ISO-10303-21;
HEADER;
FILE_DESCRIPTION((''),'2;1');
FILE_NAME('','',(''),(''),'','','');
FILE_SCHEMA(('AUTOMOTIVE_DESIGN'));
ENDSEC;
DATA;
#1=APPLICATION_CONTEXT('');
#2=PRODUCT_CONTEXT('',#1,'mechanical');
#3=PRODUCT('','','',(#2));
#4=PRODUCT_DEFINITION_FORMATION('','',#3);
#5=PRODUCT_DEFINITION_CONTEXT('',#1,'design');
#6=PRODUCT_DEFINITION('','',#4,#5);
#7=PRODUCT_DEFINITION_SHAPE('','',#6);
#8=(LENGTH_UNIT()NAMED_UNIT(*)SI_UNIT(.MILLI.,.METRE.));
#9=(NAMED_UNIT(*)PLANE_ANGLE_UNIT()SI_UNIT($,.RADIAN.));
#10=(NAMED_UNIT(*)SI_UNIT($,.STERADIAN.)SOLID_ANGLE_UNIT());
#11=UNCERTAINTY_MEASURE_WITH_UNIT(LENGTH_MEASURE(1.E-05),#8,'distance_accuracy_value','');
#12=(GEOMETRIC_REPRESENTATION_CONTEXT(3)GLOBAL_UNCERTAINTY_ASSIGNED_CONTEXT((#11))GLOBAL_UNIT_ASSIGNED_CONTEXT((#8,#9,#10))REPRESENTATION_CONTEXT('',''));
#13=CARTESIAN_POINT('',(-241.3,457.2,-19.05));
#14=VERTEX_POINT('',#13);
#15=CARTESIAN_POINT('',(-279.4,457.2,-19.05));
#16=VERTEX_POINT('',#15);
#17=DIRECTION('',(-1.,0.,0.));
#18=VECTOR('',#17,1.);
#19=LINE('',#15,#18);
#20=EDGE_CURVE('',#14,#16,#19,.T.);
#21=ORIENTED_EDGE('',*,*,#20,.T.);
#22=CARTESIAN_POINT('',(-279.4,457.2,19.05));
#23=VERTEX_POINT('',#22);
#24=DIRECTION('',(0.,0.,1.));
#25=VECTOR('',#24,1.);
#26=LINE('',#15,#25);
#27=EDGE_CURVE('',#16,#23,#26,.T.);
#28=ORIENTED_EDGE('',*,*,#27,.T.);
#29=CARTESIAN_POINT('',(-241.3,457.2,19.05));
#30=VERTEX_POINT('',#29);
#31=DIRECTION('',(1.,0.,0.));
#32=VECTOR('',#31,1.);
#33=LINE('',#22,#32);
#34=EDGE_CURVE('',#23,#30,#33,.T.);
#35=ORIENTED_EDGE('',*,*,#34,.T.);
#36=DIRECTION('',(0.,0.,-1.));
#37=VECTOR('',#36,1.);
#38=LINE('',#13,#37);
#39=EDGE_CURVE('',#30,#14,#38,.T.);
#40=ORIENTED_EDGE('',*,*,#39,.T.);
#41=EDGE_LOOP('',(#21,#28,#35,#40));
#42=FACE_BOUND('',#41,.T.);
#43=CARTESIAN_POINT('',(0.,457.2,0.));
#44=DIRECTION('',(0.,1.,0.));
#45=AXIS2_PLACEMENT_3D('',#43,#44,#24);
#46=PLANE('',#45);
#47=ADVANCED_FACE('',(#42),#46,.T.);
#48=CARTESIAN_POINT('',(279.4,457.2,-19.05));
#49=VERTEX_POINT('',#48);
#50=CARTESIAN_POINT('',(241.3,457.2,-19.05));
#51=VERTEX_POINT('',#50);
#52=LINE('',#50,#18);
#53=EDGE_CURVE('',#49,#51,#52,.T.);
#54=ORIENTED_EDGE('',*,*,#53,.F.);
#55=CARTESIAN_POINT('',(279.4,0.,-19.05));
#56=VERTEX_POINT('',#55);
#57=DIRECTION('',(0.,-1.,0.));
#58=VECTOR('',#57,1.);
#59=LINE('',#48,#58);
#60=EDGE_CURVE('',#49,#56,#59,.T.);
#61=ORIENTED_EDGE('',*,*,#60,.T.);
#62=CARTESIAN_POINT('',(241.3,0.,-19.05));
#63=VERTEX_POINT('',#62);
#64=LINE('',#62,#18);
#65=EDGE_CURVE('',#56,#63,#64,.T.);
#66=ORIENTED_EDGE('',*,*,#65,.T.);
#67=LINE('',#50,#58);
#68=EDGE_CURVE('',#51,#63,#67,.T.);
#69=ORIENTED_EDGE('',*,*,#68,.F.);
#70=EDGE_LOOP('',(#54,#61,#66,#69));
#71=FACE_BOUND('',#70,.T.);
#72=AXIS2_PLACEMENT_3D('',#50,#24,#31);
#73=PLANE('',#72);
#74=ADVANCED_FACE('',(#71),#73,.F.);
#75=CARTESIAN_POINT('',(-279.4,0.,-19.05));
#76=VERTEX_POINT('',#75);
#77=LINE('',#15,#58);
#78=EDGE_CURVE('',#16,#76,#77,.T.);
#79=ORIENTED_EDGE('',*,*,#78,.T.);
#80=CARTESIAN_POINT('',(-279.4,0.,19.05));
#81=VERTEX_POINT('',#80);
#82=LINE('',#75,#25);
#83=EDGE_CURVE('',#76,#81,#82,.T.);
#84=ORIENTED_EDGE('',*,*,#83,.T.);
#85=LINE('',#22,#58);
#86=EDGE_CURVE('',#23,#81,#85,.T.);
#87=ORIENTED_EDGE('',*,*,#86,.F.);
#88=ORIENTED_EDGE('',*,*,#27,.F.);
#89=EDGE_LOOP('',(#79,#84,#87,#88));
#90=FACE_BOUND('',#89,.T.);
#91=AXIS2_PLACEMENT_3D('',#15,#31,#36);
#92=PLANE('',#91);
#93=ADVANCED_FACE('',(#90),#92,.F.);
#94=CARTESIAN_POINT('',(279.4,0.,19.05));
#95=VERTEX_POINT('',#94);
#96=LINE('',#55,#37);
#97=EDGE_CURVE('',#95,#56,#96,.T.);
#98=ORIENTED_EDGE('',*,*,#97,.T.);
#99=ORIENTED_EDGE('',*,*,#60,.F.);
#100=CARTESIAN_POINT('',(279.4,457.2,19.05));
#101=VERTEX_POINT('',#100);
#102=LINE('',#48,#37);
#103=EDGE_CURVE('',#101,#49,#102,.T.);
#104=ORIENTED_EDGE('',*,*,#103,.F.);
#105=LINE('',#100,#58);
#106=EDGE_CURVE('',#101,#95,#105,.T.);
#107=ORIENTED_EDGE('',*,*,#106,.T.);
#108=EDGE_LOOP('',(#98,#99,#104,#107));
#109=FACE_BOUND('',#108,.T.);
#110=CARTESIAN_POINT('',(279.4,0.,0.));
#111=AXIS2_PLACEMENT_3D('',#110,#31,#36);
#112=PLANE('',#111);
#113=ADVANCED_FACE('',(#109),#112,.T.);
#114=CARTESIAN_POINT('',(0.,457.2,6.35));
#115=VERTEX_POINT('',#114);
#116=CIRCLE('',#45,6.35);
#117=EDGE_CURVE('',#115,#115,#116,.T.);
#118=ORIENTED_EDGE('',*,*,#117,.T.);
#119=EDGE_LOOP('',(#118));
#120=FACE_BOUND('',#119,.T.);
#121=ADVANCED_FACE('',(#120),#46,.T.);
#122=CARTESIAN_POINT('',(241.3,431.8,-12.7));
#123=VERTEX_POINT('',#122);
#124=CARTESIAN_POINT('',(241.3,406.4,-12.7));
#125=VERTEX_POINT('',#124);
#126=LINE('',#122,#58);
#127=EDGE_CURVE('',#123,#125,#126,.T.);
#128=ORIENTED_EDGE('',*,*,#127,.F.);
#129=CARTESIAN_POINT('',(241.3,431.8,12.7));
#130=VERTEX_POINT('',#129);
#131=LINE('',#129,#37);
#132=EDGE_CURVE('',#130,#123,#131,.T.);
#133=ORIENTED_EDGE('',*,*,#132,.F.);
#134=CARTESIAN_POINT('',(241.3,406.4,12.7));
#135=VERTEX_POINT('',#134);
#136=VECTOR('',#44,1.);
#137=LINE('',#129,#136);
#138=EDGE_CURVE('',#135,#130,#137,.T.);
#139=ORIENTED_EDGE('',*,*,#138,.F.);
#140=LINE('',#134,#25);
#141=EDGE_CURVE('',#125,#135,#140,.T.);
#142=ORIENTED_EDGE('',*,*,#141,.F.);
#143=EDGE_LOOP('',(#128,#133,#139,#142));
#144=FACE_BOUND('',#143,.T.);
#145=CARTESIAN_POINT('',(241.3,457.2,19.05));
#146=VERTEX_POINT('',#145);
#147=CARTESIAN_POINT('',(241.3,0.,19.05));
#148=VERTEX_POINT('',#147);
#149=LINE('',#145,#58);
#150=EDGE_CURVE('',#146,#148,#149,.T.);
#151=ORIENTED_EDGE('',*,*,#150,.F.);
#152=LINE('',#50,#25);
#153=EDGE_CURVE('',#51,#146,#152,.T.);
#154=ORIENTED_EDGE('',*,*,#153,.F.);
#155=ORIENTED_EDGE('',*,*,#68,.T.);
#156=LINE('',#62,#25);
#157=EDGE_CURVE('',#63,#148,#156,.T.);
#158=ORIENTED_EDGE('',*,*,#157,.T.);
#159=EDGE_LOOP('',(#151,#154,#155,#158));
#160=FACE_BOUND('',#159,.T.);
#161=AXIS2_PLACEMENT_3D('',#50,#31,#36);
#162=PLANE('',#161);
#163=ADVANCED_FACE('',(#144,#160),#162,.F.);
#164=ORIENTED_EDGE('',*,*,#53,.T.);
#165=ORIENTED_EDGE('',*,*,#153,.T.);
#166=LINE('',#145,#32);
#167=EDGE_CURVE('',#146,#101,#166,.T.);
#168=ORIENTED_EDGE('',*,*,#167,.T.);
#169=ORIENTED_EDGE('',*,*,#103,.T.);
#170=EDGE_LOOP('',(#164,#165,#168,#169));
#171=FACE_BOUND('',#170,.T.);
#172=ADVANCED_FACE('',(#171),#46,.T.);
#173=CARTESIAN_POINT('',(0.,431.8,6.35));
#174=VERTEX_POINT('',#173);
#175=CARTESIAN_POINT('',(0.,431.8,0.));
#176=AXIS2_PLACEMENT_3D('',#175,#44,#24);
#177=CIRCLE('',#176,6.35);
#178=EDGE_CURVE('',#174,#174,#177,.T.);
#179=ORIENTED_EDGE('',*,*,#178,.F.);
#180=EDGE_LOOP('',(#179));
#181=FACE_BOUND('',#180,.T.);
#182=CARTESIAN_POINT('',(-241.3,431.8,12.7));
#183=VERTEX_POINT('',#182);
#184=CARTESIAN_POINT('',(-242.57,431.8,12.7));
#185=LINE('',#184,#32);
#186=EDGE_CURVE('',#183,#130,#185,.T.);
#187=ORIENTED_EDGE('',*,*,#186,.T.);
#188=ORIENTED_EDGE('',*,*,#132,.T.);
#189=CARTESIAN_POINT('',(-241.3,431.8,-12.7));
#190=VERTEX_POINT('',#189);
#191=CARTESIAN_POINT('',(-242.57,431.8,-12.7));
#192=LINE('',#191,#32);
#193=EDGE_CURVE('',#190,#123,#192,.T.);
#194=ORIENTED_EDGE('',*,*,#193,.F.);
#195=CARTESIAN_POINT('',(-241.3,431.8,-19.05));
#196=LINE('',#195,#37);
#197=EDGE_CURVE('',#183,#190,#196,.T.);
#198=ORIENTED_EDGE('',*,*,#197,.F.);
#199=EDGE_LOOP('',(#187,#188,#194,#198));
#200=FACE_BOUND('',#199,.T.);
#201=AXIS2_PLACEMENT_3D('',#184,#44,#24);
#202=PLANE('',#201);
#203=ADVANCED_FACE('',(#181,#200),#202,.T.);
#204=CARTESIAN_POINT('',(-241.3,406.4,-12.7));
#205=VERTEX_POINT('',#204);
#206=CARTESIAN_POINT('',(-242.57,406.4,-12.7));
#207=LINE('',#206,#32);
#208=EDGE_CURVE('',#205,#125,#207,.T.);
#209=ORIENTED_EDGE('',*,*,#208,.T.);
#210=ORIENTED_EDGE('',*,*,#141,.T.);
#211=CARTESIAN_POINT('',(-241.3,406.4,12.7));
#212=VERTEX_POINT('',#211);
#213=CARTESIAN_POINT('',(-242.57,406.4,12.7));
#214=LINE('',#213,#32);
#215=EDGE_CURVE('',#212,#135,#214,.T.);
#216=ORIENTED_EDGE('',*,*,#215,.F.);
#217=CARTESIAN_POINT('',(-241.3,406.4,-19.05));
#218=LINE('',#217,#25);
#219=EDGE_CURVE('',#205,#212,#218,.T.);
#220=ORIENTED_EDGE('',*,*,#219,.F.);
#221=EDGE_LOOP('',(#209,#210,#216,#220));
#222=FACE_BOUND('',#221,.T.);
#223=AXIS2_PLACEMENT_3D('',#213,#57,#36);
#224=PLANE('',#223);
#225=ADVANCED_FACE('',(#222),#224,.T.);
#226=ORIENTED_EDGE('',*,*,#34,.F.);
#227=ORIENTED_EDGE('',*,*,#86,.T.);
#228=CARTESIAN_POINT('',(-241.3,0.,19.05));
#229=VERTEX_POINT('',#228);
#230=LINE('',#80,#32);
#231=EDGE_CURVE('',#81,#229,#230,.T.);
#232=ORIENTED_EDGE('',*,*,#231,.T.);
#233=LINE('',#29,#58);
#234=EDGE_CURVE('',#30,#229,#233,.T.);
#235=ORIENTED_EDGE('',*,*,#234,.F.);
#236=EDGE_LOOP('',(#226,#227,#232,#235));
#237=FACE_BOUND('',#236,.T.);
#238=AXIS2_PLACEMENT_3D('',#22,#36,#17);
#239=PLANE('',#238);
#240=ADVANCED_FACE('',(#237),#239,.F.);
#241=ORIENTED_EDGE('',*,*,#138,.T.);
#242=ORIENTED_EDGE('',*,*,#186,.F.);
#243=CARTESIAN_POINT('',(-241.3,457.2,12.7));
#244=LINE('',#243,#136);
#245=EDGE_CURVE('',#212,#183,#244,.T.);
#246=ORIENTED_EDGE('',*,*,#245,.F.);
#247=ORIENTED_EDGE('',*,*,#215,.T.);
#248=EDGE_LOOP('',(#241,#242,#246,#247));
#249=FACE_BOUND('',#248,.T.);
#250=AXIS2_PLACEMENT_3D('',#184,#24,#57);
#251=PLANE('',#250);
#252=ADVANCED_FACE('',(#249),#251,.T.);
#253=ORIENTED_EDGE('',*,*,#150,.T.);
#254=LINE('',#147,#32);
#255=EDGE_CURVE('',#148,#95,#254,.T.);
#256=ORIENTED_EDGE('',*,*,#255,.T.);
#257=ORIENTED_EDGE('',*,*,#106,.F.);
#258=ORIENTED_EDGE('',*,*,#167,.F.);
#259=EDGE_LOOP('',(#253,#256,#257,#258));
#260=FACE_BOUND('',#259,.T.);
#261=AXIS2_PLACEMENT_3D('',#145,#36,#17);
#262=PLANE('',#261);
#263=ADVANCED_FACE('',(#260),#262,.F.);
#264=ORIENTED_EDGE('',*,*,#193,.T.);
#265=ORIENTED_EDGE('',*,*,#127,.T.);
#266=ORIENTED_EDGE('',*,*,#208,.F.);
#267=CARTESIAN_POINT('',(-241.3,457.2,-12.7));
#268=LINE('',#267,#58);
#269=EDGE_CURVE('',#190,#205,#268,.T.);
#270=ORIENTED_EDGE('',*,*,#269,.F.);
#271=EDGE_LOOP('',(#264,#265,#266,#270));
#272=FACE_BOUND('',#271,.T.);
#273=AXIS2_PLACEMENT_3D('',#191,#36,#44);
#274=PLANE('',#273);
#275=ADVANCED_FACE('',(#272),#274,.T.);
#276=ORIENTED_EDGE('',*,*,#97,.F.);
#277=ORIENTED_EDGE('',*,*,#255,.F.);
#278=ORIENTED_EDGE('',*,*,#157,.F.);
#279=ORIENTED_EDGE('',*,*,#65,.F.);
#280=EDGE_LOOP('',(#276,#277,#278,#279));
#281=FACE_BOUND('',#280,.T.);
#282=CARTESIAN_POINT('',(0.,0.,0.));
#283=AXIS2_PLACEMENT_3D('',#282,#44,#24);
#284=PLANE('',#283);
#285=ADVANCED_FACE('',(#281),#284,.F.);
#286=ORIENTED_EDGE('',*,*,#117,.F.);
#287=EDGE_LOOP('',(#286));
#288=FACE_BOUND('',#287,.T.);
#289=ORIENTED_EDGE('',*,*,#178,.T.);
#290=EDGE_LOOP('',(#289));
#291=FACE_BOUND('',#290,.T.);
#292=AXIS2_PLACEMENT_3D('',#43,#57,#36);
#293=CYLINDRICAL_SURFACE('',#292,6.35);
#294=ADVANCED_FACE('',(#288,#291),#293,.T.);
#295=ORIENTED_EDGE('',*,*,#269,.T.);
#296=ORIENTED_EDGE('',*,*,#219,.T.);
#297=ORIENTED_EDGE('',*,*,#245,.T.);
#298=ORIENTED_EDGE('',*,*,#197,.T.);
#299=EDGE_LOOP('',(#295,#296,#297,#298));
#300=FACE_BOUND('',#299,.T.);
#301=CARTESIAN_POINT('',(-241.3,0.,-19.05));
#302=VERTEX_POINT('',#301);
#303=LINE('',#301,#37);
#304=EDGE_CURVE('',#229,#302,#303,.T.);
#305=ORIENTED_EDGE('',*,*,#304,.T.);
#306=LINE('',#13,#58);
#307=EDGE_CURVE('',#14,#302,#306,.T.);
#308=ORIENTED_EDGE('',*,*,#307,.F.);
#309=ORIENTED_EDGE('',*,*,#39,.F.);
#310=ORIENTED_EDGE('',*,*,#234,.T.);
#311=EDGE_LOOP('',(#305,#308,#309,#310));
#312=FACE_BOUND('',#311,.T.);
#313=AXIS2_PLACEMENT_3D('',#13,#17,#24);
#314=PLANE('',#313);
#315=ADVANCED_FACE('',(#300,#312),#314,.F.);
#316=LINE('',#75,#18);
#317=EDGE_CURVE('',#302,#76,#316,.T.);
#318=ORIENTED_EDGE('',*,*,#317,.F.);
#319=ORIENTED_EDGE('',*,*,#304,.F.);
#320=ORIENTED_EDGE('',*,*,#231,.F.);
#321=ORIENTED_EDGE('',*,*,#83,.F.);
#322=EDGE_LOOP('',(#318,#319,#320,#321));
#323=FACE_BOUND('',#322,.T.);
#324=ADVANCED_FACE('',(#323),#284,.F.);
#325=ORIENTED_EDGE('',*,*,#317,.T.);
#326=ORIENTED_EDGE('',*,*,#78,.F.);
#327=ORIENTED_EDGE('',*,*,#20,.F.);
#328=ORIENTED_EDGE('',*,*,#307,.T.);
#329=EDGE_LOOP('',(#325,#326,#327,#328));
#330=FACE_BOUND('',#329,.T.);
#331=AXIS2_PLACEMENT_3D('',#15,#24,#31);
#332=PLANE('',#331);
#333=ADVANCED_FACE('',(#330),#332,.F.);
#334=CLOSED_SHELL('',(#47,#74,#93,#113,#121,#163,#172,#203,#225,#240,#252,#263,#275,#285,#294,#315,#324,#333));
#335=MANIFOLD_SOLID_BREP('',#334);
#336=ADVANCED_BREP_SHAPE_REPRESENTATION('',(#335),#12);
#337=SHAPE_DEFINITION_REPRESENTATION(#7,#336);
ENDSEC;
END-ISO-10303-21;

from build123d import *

# Parameters (mm, degrees)
SKETCH1_W             = 38.1
SKETCH1_H             = 38.1
BOSS_EXTRUDE1_DEPTH   = 457.2
BOSS_EXTRUDE1_2_DEPTH = 457.2
SKETCH2_W             = 25.4
SKETCH2_H             = 25.4
BOSS_EXTRUDE2_DEPTH   = 521.97
BOSS_EXTRUDE3_START   = 431.8
SKETCH3_R             = 6.35
BOSS_EXTRUDE3_DEPTH   = 25.4


with BuildPart() as part:
    # Sketch1 → Boss-Extrude1 (new body)
    with BuildSketch(Plane(origin=(0, 0, 0), x_dir=(1, 0, 0), z_dir=(0, 1, 0))):
        with Locations((-260.35, 0)):
            Rectangle(SKETCH1_W, SKETCH1_H)
    extrude(amount=BOSS_EXTRUDE1_DEPTH)



with BuildPart() as body_2:
    # Sketch1 → Boss-Extrude1 2 (new body)
    with BuildSketch(Plane(origin=(0, 0, 0), x_dir=(1, 0, 0), z_dir=(0, 1, 0))):
        with Locations((260.35, 0)):
            Rectangle(SKETCH1_W, SKETCH1_H)
    extrude(amount=BOSS_EXTRUDE1_2_DEPTH)


with BuildPart() as part_1:
    add(part.part)

    add(body_2.part)  # Boss-Extrude2 merges body 2
    # Sketch2 → Boss-Extrude2 (add)
    with BuildSketch(Plane(origin=(279.4, 0, 0), x_dir=(0, 0, -1), z_dir=(1, 0, 0))):
        with Locations((0, 419.1)):
            Rectangle(SKETCH2_W, SKETCH2_H)
    extrude(amount=-BOSS_EXTRUDE2_DEPTH)

    # Sketch3 → Boss-Extrude3 (add)
    with BuildSketch(Plane(origin=(0, 0, 0), x_dir=(1, 0, 0), z_dir=(0, 1, 0)).offset(BOSS_EXTRUDE3_START)):
        with Locations(Location((0, 0, 0), (0, 0, 270))):
            Circle(SKETCH3_R)
    extrude(amount=BOSS_EXTRUDE3_DEPTH)


solid = part_1.part
